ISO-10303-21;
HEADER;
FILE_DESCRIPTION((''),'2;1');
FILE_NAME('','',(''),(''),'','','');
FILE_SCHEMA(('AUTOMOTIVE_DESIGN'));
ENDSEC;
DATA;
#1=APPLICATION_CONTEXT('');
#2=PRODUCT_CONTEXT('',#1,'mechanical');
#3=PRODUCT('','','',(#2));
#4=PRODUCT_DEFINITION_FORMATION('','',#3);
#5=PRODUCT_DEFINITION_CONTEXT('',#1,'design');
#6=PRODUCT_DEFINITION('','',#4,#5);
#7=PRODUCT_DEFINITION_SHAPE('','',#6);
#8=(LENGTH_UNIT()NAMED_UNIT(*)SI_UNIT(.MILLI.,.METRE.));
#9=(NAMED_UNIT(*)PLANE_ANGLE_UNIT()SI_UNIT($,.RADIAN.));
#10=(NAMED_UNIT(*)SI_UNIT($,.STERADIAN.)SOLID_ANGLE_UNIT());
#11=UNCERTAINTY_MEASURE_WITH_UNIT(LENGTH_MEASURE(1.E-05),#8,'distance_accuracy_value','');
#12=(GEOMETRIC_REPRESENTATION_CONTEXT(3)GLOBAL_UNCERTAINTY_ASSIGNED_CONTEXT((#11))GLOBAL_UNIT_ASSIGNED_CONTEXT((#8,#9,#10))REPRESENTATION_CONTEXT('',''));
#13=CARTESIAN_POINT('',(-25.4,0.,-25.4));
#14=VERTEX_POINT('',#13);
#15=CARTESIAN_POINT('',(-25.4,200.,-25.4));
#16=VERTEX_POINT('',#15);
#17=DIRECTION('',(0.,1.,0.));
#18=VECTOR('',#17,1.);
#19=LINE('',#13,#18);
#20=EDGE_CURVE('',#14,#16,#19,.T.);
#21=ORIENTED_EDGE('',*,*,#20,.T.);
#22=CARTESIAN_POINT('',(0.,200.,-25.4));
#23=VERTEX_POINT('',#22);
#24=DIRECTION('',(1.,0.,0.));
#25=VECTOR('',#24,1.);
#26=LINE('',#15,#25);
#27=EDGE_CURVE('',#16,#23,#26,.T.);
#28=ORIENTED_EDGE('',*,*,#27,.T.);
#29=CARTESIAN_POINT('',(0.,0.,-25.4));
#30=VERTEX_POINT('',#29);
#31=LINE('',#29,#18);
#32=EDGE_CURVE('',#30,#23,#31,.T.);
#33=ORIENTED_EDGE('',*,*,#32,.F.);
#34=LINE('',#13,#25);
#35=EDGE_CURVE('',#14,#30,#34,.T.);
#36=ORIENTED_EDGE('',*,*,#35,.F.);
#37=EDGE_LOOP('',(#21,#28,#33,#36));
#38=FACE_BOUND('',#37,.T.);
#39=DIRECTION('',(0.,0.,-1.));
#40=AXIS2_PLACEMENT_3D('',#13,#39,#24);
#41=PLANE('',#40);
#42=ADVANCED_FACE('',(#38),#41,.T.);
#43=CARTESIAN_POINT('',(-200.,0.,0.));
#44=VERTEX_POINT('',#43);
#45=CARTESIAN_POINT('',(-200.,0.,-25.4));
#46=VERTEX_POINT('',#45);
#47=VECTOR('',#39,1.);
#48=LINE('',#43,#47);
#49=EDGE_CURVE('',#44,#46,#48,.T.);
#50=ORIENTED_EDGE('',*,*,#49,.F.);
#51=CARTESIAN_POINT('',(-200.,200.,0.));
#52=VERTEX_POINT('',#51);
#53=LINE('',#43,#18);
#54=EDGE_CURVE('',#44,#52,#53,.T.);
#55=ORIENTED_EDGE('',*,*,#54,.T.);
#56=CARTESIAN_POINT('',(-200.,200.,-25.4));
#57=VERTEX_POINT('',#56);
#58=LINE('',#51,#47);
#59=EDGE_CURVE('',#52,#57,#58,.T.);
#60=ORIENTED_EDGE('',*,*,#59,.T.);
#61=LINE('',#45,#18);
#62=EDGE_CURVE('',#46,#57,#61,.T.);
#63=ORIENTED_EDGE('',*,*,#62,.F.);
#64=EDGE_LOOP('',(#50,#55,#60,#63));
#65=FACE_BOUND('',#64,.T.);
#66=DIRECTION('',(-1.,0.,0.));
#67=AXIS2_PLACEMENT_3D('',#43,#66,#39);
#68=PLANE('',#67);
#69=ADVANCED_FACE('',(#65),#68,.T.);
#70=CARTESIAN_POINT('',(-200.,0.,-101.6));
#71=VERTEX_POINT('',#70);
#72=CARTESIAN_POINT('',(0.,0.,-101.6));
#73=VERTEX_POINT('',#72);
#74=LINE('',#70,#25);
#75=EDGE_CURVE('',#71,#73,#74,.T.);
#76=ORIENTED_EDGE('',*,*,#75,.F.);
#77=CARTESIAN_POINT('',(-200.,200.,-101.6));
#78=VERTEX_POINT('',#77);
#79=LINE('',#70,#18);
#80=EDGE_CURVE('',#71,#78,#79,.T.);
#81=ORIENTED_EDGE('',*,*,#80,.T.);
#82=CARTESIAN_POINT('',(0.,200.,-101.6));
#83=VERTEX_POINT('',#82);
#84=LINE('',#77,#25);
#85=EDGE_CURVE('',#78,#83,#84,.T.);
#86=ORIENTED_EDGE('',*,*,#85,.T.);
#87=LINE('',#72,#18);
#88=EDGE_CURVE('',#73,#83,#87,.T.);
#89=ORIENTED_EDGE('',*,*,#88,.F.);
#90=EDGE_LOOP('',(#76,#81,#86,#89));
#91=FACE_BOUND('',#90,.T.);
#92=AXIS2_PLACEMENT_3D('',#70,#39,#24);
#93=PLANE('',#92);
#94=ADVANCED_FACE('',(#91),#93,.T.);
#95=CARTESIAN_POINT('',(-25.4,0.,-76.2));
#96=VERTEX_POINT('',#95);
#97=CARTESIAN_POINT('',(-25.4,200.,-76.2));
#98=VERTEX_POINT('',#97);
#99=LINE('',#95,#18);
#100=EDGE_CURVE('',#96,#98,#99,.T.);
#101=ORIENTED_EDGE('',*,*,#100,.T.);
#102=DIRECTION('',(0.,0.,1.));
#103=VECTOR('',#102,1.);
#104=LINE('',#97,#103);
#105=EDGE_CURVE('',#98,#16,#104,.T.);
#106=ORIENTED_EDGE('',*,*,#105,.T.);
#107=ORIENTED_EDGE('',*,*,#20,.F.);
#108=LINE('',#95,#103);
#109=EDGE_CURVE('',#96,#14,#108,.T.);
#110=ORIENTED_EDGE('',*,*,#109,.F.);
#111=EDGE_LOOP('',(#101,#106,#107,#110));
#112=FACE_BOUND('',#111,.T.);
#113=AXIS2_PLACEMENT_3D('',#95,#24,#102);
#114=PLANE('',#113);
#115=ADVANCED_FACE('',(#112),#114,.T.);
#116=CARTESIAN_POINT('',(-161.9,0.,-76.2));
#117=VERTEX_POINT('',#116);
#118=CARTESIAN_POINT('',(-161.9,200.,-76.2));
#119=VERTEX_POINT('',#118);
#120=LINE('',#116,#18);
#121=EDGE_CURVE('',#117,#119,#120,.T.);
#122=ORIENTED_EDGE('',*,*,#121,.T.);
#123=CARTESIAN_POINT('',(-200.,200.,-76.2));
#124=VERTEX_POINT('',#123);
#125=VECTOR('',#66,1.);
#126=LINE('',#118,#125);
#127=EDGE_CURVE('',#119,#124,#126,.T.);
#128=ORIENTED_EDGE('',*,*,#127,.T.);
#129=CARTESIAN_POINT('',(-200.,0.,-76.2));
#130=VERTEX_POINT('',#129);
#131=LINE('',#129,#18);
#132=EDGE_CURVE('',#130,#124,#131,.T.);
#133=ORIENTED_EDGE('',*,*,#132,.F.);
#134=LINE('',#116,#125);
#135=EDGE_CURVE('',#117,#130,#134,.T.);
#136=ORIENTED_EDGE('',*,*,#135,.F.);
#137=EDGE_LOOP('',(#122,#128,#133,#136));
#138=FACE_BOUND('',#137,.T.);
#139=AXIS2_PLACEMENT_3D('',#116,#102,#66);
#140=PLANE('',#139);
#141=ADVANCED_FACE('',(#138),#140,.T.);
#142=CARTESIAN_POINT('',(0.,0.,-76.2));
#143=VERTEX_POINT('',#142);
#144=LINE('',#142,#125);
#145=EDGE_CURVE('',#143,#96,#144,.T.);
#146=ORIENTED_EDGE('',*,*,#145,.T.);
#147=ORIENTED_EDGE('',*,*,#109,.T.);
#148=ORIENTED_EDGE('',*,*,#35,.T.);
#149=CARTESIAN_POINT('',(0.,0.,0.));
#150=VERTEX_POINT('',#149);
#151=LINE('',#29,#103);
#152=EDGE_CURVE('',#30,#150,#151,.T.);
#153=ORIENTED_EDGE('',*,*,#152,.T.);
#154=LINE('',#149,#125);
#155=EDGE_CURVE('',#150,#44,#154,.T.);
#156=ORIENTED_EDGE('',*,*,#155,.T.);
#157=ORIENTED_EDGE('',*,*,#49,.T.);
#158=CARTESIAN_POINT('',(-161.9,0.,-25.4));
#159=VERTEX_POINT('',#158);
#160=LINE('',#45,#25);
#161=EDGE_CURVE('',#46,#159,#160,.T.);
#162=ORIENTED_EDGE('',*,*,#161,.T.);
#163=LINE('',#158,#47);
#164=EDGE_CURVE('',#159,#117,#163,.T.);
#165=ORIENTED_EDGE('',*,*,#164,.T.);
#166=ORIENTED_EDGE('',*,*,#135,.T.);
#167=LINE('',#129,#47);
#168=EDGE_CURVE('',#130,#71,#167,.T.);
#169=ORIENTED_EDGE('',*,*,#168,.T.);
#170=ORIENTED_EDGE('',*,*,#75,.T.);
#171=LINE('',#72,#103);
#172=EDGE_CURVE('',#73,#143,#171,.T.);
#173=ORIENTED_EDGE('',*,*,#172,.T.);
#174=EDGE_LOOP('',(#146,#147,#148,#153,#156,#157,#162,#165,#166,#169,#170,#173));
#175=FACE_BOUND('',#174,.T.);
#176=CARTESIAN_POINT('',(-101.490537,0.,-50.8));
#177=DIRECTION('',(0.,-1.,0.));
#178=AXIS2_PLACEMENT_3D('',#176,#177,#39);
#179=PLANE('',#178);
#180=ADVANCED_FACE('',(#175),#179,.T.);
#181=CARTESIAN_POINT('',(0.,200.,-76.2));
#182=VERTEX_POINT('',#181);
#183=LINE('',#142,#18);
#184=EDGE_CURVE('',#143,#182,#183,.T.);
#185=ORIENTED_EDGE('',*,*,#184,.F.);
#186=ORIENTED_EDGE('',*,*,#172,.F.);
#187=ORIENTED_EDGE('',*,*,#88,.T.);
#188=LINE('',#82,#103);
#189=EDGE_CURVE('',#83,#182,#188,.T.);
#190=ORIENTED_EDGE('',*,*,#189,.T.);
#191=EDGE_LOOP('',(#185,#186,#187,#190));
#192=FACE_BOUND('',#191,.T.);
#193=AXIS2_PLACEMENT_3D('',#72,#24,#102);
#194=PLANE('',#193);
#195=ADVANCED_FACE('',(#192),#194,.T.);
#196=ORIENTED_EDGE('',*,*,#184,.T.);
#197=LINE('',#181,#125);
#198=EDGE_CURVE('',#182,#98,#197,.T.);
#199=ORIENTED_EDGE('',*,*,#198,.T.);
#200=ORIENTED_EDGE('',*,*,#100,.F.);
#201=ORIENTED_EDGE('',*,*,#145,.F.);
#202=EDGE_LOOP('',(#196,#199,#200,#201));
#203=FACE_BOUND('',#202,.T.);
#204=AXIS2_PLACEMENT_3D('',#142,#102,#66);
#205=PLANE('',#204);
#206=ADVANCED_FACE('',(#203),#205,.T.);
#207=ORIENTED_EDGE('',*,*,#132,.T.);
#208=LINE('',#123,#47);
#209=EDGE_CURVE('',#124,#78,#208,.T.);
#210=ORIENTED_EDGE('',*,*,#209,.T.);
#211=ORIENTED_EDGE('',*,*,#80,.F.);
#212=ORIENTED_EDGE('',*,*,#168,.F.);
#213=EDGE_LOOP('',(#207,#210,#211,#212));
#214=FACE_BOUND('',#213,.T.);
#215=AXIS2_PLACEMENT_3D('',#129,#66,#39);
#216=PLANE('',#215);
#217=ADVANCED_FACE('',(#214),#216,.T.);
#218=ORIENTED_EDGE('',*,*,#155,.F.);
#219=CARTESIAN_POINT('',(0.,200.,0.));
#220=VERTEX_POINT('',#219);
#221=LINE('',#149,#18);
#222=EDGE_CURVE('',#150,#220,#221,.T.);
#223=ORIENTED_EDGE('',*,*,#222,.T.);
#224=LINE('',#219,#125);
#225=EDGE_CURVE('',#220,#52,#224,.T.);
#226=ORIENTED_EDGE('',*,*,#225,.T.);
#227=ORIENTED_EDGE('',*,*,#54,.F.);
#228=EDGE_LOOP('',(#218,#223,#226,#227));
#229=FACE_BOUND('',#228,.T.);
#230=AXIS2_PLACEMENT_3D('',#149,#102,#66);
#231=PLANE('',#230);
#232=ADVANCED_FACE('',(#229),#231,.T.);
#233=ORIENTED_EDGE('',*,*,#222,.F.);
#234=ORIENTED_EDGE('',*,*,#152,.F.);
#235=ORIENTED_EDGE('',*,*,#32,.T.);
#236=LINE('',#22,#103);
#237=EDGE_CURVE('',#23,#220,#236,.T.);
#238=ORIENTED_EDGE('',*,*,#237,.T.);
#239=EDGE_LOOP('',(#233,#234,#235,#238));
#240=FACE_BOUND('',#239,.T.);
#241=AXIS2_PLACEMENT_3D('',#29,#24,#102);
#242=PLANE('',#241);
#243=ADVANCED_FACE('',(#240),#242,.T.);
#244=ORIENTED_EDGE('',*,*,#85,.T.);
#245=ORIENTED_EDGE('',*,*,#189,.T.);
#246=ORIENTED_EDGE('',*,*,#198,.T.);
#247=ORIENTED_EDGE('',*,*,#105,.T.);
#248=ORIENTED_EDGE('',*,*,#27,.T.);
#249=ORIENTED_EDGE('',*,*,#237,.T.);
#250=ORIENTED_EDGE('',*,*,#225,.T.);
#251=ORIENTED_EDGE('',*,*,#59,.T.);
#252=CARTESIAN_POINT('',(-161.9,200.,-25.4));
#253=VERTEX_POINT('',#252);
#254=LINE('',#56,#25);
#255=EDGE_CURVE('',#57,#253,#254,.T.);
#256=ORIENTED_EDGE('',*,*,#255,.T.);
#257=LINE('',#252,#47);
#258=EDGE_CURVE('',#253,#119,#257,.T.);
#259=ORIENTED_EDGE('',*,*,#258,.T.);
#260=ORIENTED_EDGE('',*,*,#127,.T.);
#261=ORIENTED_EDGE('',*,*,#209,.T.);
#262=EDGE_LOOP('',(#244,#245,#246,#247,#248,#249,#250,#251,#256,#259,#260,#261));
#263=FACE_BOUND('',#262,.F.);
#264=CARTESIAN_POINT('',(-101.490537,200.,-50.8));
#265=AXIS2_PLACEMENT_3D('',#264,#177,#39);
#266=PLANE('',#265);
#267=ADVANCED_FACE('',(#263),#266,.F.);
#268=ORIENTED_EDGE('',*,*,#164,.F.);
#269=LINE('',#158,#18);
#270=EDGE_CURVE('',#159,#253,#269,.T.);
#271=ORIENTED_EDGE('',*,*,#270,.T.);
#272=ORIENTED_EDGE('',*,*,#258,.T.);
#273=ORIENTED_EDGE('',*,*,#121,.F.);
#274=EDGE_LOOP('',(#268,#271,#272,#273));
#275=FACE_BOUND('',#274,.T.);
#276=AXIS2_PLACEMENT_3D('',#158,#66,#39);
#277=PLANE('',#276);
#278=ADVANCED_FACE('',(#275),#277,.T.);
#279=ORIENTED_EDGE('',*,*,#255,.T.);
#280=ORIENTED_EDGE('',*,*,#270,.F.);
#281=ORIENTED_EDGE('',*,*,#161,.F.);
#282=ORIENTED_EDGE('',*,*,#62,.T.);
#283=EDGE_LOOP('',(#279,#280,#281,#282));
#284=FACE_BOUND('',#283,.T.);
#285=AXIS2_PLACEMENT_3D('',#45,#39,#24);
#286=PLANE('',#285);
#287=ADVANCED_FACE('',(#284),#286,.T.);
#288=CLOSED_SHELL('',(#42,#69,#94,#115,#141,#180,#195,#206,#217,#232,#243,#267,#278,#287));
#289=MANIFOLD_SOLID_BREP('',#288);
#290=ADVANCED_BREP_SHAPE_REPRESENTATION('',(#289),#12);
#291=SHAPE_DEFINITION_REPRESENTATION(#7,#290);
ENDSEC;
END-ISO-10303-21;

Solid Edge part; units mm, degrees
sketch "Sketch1" plane through (0, 0, 0) normal (0, -1, 0) x (1, 0, 0)
  line L0 (0, 0) -> (-200, 0)
  line L1 (-200, 0) -> (-200, -25.4)
  line L2 (-200, -25.4) -> (-161.9, -25.4)
  line L3 (-161.9, -25.4) -> (-161.9, -76.2)
  line L4 (-161.9, -76.2) -> (-200, -76.2)
  line L5 (-200, -76.2) -> (-200, -101.6)
  line L6 (-200, -101.6) -> (0, -101.6)
  line L7 (0, -101.6) -> (0, -76.2)
  line L8 (0, -76.2) -> (-25.4, -76.2)
  line L9 (-25.4, -76.2) -> (-25.4, -25.4)
  line L10 (-25.4, -25.4) -> (0, -25.4)
  line L11 (0, -25.4) -> (0, 0)
extrude "Protrusion1" add sketch "Sketch1" against normal blind 200
